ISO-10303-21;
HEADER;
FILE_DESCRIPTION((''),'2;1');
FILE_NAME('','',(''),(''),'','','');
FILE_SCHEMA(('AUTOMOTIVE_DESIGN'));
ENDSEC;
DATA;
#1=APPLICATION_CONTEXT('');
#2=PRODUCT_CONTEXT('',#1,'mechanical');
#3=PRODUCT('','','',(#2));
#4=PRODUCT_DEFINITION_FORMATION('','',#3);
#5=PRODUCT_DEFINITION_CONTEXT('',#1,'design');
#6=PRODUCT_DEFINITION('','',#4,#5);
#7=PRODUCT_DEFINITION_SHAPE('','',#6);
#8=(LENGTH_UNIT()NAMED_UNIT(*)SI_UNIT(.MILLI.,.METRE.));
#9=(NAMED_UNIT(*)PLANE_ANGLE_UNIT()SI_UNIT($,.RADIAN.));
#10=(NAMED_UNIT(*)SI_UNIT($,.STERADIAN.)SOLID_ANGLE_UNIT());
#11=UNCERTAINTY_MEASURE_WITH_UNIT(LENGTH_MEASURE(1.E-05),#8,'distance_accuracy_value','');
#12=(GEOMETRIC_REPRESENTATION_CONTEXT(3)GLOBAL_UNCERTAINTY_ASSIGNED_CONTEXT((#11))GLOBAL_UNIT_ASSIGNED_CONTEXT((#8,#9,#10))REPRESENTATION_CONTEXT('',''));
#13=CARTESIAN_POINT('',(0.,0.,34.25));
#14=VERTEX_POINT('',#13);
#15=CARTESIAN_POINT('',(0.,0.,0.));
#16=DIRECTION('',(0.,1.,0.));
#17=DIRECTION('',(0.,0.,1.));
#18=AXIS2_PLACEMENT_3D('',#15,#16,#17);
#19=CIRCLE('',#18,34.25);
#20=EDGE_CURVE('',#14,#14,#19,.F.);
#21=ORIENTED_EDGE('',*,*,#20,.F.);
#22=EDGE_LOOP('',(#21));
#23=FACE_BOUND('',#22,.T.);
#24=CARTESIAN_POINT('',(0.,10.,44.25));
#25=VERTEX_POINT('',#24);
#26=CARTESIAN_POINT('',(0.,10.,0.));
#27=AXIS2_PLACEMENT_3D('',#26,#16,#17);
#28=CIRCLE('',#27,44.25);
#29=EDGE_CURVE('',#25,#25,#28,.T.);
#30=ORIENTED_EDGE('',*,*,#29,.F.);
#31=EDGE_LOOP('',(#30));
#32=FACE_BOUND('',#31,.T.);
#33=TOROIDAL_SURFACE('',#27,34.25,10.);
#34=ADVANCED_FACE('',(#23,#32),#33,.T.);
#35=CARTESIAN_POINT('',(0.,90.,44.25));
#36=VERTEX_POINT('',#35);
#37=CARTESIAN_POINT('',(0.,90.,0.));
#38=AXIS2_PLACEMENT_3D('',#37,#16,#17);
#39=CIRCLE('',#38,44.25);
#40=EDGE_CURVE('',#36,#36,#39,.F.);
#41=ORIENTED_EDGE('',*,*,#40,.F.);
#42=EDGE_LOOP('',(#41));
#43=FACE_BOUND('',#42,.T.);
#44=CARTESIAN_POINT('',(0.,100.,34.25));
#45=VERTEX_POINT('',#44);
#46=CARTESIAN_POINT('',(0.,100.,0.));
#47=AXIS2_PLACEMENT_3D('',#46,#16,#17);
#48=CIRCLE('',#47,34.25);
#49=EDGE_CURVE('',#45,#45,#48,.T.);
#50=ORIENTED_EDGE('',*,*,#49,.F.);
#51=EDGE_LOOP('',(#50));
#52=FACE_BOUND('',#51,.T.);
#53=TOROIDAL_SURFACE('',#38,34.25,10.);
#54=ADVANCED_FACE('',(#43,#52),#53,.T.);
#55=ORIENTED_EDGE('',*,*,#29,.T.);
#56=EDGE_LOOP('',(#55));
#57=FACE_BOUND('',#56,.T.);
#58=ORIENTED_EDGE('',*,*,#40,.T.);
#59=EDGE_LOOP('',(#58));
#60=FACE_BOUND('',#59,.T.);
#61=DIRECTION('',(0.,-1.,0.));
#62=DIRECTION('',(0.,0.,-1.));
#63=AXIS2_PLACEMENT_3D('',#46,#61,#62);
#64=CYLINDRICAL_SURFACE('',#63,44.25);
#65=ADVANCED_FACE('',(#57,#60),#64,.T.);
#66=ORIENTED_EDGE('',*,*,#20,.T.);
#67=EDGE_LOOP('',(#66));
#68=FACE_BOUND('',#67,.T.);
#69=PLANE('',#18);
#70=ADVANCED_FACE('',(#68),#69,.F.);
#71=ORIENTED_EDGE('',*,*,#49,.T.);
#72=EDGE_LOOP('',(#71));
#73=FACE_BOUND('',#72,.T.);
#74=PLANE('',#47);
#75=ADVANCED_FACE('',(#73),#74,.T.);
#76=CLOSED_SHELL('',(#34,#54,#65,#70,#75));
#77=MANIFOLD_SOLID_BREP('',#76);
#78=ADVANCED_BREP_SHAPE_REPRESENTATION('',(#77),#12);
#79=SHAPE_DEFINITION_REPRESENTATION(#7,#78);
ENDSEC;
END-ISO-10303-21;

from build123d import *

# Parameters (mm, degrees)
SKETCH1_R           = 44.25
BOSS_EXTRUDE1_DEPTH = 100
FILLET1_R           = 10


with BuildPart() as part:
    # Sketch1 → Boss-Extrude1 (new body)
    with BuildSketch(Plane(origin=(0, 0, 0), x_dir=(1, 0, 0), z_dir=(0, 1, 0))):
        Circle(SKETCH1_R)
    extrude(amount=BOSS_EXTRUDE1_DEPTH)

    # Fillet1
    fillet1_edges = [part.edges().sort_by_distance(p)[0] for p in [
        (-44.25, 0, 0),
        (-44.25, 100, 0),
    ]]
    fillet(fillet1_edges, radius=FILLET1_R)


solid = part.part
